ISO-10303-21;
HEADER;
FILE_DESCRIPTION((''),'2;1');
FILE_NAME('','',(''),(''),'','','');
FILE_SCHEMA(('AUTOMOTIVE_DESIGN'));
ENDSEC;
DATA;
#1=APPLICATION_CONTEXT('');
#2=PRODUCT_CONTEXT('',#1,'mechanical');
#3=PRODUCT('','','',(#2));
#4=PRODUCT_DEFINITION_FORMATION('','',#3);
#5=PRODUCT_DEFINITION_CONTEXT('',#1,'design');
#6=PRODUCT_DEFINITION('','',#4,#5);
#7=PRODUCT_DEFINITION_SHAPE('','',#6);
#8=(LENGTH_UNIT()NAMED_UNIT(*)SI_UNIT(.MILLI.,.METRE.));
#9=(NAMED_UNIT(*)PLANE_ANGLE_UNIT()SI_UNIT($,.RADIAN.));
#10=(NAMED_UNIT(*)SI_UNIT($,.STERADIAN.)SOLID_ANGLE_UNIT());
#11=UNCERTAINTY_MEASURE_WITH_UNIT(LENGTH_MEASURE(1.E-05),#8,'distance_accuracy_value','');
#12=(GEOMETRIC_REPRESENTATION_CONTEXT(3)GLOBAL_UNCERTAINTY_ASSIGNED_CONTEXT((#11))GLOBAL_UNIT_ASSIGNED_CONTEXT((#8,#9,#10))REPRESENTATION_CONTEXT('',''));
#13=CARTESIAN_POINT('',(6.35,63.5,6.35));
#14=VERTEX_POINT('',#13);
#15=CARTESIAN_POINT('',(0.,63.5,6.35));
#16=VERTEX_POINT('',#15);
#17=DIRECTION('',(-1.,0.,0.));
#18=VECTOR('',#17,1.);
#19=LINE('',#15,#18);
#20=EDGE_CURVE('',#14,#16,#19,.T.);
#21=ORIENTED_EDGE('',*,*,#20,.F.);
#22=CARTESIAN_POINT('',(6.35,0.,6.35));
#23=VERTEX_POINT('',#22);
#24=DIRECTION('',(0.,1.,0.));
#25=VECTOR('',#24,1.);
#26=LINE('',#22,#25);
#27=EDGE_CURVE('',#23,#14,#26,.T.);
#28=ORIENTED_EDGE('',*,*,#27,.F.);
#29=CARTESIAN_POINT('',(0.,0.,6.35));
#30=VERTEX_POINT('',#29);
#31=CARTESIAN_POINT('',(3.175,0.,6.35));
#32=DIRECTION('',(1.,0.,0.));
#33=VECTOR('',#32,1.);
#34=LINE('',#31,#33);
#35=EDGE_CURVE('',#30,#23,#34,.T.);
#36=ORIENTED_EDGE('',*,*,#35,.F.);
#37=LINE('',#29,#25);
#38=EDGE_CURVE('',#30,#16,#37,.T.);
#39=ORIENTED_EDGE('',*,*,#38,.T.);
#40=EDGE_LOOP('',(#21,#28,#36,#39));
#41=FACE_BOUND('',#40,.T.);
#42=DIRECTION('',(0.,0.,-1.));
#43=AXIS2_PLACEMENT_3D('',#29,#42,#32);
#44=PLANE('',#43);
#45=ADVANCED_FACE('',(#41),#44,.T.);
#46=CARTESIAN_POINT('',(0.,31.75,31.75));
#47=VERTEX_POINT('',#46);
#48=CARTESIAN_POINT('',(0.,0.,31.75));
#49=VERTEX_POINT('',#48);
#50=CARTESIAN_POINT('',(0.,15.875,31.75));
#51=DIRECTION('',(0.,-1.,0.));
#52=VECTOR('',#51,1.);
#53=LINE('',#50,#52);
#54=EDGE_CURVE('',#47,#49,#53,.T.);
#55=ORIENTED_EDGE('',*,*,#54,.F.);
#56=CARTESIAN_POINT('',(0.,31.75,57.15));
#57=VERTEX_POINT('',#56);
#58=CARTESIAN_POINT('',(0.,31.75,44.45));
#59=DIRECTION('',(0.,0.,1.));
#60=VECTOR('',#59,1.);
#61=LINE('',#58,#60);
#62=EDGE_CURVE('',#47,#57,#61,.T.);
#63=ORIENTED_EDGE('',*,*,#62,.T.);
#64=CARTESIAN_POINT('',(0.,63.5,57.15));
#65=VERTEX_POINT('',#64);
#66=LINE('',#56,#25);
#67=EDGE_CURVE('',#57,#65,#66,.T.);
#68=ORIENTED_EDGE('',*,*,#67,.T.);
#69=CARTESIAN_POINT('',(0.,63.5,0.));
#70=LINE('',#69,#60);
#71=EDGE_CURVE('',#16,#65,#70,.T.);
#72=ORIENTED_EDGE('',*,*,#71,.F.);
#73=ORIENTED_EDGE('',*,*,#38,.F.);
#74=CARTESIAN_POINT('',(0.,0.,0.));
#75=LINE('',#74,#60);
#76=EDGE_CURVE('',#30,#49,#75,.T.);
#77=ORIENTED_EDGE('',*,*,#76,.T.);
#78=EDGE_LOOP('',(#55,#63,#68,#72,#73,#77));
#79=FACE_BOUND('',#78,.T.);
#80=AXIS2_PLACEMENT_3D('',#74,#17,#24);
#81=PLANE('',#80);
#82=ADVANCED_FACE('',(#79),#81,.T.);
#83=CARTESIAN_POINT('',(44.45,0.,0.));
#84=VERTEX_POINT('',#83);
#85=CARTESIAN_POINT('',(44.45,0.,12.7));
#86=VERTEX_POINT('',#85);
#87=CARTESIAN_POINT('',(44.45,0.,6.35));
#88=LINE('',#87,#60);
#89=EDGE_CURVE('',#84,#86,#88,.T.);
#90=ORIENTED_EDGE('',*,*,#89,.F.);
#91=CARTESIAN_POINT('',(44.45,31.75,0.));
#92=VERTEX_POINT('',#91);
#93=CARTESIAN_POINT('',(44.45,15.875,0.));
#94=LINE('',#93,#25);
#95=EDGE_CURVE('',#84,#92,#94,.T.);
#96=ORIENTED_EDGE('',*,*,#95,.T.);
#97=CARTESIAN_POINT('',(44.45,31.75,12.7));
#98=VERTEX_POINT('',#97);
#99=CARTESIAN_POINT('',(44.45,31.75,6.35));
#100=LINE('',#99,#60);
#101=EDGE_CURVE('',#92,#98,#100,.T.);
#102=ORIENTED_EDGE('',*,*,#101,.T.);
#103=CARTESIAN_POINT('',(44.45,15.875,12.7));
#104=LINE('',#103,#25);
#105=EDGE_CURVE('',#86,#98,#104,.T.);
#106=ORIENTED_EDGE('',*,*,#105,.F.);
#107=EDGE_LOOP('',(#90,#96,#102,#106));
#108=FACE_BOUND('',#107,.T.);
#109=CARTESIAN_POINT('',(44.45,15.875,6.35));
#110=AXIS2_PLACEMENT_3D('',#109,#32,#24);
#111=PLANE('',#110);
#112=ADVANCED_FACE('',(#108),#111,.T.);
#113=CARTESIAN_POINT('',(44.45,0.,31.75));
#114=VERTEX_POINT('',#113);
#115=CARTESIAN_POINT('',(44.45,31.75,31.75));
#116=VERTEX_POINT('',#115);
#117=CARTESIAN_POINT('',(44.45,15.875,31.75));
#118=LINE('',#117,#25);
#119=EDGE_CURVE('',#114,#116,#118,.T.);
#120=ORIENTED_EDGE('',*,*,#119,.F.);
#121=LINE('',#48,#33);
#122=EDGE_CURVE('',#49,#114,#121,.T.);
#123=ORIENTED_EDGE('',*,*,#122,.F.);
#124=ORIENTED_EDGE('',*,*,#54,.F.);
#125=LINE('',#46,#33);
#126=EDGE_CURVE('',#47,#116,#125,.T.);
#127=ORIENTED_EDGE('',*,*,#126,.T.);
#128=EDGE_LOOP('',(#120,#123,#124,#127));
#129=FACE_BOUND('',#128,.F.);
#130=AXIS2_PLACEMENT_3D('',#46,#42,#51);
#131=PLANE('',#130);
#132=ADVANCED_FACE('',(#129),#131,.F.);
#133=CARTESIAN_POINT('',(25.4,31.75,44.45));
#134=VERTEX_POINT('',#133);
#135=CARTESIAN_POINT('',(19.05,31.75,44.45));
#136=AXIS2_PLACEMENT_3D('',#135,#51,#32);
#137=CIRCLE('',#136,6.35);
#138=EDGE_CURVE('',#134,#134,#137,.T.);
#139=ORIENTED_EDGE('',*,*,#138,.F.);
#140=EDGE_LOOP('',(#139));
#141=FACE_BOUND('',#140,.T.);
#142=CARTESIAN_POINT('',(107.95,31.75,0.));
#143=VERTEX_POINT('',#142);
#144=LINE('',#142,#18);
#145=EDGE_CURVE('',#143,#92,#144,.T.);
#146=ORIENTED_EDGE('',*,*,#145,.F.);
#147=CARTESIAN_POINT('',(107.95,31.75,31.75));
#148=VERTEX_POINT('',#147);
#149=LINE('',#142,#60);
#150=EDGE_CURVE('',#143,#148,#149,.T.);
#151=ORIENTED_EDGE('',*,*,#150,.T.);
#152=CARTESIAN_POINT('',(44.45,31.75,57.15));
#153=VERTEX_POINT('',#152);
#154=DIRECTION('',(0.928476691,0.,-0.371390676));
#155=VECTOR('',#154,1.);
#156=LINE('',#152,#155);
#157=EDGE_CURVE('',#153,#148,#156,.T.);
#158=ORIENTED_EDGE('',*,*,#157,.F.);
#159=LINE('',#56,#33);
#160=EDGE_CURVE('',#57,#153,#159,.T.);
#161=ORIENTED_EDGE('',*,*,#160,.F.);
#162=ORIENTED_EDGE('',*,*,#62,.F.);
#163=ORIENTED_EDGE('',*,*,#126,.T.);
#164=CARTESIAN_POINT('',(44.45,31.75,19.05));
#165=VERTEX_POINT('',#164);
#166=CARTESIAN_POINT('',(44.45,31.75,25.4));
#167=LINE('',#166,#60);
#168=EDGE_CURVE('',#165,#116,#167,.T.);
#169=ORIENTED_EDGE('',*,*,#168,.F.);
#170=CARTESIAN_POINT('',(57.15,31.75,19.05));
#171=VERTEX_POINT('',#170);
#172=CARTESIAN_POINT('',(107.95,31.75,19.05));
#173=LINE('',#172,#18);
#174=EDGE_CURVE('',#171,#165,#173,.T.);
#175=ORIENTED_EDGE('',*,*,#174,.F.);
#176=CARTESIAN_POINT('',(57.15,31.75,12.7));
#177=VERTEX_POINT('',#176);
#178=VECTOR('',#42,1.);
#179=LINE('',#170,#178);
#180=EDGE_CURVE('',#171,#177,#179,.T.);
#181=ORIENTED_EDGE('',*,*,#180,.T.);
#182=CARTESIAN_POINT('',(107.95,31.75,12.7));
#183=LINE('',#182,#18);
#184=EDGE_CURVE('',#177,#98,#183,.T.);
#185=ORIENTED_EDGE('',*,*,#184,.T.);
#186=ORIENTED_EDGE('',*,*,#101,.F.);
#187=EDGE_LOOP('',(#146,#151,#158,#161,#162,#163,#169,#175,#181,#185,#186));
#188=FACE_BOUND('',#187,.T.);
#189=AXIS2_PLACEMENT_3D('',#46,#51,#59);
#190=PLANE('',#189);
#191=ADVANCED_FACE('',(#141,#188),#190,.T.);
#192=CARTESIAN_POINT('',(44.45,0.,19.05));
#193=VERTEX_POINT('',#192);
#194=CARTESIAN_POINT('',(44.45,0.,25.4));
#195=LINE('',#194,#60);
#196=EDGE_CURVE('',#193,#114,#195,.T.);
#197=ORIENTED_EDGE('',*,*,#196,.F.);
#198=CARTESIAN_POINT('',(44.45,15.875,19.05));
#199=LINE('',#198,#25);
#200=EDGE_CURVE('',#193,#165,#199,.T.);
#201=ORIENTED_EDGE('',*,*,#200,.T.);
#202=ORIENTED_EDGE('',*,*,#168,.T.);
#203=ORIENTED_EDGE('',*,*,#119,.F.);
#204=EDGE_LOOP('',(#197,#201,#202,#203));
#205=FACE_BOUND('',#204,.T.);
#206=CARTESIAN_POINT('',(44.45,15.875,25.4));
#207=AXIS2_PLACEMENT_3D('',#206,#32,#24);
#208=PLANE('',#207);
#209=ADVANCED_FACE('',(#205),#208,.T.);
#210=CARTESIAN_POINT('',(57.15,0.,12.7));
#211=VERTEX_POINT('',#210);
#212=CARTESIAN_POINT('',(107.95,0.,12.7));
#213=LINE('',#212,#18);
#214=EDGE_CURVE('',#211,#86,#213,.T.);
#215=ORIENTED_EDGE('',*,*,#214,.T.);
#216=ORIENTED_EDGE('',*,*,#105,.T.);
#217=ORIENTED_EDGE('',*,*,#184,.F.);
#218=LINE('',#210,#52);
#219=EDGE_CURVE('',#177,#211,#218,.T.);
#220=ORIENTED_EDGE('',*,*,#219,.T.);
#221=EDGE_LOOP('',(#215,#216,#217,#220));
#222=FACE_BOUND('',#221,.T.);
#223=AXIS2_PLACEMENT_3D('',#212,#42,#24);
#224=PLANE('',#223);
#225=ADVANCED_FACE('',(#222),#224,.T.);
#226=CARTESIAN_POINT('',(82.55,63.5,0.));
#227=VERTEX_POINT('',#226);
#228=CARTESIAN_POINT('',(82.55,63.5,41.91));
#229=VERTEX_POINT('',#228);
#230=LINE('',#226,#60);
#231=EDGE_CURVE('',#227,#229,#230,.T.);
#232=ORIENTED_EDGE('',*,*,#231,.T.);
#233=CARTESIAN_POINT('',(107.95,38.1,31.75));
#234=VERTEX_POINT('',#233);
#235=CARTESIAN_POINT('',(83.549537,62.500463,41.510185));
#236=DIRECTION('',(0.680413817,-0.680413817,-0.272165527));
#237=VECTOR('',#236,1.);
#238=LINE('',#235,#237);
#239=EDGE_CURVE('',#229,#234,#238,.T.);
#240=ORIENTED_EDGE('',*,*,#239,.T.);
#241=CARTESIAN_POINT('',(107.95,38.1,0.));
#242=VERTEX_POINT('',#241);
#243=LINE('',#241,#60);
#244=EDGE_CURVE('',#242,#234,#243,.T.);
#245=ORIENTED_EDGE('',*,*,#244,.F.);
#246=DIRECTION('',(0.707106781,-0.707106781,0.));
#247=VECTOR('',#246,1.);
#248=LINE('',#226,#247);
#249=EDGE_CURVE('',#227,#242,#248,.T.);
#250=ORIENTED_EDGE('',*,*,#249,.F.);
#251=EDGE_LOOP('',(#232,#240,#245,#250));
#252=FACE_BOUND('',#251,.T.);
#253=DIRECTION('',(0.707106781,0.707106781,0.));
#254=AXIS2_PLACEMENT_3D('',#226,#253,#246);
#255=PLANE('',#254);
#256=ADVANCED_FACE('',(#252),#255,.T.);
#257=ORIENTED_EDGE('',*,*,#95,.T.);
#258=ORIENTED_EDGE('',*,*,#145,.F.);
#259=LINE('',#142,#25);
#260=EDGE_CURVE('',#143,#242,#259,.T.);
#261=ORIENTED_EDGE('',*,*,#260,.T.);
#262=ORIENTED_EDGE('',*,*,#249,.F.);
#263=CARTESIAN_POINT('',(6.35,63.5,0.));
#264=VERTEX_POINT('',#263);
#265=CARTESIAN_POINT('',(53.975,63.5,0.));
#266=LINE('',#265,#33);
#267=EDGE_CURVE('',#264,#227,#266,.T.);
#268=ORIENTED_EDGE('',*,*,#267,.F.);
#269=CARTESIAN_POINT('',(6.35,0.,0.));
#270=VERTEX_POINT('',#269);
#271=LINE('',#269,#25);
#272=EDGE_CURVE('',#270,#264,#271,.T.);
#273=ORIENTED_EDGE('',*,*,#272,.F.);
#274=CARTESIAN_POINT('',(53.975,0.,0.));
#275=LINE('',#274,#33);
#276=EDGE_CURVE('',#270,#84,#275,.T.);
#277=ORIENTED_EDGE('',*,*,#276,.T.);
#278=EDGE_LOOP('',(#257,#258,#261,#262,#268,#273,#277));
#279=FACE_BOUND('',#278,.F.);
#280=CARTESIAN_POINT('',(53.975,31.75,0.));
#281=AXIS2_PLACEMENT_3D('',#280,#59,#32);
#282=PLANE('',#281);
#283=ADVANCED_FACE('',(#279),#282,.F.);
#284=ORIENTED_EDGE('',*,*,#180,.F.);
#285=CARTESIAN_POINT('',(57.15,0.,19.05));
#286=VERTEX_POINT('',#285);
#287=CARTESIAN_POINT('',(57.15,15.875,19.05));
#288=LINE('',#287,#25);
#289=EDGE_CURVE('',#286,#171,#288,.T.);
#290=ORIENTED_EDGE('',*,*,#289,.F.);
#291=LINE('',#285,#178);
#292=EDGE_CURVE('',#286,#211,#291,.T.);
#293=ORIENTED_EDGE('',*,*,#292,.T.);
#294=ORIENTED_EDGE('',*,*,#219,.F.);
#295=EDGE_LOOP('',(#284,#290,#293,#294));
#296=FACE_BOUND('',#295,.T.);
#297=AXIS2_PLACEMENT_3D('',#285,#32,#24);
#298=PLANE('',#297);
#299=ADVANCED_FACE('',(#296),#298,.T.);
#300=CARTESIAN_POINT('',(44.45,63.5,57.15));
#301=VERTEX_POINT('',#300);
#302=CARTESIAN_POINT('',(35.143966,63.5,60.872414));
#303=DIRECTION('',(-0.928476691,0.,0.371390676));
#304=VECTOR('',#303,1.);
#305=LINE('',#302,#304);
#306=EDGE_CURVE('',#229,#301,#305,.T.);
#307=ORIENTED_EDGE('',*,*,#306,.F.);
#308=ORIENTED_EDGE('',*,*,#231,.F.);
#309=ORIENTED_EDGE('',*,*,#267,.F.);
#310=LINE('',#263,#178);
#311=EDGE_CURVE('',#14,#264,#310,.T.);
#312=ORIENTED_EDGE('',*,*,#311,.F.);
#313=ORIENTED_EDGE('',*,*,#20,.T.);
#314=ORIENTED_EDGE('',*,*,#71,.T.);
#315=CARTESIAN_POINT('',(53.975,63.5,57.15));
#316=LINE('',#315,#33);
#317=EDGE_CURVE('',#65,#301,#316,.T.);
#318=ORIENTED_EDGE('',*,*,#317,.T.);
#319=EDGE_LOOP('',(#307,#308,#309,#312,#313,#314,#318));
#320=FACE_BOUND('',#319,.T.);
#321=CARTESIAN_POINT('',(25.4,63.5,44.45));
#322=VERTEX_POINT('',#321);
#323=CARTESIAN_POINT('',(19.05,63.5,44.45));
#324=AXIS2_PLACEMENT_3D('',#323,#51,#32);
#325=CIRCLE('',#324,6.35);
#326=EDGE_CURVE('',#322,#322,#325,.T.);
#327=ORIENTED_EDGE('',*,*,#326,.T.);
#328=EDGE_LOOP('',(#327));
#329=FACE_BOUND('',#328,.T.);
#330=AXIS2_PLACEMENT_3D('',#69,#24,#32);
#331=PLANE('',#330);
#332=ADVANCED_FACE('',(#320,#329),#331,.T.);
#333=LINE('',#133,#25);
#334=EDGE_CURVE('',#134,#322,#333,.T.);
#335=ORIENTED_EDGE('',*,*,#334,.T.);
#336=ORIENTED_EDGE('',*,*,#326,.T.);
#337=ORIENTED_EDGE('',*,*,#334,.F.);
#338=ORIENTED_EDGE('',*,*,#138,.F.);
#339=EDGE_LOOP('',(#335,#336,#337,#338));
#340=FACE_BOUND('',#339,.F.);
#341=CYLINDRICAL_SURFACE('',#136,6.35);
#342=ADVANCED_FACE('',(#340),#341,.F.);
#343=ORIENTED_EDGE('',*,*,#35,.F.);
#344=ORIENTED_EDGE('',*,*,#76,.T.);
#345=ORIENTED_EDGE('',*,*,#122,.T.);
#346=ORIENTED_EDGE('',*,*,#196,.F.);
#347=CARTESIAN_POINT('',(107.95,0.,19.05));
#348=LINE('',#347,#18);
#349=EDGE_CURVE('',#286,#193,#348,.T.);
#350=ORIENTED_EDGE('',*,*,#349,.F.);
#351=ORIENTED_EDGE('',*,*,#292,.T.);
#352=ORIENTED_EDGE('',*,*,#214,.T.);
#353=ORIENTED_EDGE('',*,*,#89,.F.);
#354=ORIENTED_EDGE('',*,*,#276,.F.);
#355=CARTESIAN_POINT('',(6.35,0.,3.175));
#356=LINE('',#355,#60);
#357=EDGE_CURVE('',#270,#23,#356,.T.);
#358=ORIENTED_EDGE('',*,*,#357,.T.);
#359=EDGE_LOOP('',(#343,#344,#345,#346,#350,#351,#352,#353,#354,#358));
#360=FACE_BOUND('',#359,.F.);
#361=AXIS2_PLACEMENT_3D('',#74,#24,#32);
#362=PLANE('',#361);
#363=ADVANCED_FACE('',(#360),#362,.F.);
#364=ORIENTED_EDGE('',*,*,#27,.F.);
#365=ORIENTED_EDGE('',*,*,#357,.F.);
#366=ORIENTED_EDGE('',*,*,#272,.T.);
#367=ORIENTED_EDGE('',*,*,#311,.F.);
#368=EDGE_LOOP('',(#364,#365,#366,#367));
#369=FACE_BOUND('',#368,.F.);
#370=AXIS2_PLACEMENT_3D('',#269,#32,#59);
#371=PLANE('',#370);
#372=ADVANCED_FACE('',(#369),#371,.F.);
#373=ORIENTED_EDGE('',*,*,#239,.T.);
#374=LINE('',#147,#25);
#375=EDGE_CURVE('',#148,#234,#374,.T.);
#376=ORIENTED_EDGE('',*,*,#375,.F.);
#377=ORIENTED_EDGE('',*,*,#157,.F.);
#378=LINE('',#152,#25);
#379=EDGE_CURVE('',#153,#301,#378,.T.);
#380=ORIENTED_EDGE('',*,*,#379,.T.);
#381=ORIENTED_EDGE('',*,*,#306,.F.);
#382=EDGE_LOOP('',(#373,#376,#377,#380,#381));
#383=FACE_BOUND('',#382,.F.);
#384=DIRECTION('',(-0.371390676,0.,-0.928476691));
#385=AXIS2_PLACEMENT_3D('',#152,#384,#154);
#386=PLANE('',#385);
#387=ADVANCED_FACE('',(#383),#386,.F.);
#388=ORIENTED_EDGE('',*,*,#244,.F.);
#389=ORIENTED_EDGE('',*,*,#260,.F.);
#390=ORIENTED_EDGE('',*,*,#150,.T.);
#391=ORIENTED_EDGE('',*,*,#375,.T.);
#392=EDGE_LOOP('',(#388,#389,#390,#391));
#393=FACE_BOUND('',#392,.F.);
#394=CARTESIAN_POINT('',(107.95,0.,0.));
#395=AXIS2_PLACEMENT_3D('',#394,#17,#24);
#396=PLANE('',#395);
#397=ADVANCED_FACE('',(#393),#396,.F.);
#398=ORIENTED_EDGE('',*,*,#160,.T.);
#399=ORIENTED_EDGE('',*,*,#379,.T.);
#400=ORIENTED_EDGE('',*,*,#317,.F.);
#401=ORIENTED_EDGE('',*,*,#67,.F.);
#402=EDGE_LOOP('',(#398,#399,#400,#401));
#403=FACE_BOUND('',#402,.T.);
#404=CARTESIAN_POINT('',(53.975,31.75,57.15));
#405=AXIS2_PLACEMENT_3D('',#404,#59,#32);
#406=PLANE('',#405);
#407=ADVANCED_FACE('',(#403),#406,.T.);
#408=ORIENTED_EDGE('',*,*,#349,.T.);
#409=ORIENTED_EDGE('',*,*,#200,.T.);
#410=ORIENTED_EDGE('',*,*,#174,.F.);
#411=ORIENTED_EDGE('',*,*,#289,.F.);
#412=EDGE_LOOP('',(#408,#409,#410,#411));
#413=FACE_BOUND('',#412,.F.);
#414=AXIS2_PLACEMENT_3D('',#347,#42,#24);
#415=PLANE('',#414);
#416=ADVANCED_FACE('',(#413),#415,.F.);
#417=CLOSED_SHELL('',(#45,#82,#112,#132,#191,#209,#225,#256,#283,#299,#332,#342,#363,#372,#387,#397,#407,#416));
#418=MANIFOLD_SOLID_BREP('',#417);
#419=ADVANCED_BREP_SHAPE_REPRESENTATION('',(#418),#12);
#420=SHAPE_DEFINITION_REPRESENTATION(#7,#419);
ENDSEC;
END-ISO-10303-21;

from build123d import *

# Parameters (mm, degrees)
F0_W      = 107.95
F0_H      = 63.5
F1_DEPTH  = 57.15
F2_W      = 31.75
F2_H      = 25.4
F3_DEPTH  = 107.951
F4_W      = 31.75
F4_H      = 12.7
F5_DEPTH  = 63.5
F6_W      = 50.8
F6_H      = 31.75
F7_DEPTH  = 25.4
F8_R      = 6.35
F9_DEPTH  = 31.751
F10_W     = 6.35
F10_H     = 6.35
F11_DEPTH = 63.501
F13_DEPTH = 31.751
F15_DEPTH = 57.151


with BuildPart() as f1:
    # F0 (on Top) → F1 (new body)
    with BuildSketch(Plane.XY):
        with Locations((53.975, 31.75)):
            Rectangle(F0_W, F0_H)
    extrude(amount=F1_DEPTH)

    # F2 (on face) → F3 (cut, through all)
    with BuildSketch(Plane(origin=(0, 0, 0), x_dir=(0, -1, 0), z_dir=(-1, 0, 0))):
        with Locations((-15.875, 44.45)):
            Rectangle(F2_W, F2_H)
    extrude(amount=-F3_DEPTH, mode=Mode.SUBTRACT)

    # F4 (on face) → F5 (cut)
    with BuildSketch(Plane.YZ.offset(107.95)):
        with Locations((15.875, 25.4)):
            Rectangle(F4_W, F4_H)
        with Locations((15.875, 6.35)):
            Rectangle(F4_W, F4_H)
    extrude(amount=-F5_DEPTH, mode=Mode.SUBTRACT)

    # F6 (on face) → F7 (cut)
    with BuildSketch(Plane.XY.offset(19.05)):
        with Locations((82.55, 15.875)):
            Rectangle(F6_W, F6_H)
    extrude(amount=-F7_DEPTH, mode=Mode.SUBTRACT)

    # F8 (on face) → F9 (cut, through all)
    with BuildSketch(Plane.XZ.offset(-31.75)):
        with Locations((19.05, 44.45)):
            Circle(F8_R)
    extrude(amount=-F9_DEPTH, mode=Mode.SUBTRACT)

    # F10 (on face) → F11 (cut, through all)
    with BuildSketch(Plane.XZ):
        with Locations((3.175, 3.175)):
            Rectangle(F10_W, F10_H)
    extrude(amount=-F11_DEPTH, mode=Mode.SUBTRACT)

    # F12 (on face) → F13 (cut, through all)
    with BuildSketch(Plane.XZ.offset(-31.75)):
        Polygon((107.95, 57.15), (44.45, 57.15), (107.95, 31.75), align=None)
    extrude(amount=-F13_DEPTH, mode=Mode.SUBTRACT)

    # F14 (on face) → F15 (cut, through all)
    with BuildSketch(Plane.XY):
        Polygon((82.55, 63.5), (107.95, 38.1), (107.95, 63.5), align=None)
    extrude(amount=F15_DEPTH, mode=Mode.SUBTRACT)


solid = f1.part
